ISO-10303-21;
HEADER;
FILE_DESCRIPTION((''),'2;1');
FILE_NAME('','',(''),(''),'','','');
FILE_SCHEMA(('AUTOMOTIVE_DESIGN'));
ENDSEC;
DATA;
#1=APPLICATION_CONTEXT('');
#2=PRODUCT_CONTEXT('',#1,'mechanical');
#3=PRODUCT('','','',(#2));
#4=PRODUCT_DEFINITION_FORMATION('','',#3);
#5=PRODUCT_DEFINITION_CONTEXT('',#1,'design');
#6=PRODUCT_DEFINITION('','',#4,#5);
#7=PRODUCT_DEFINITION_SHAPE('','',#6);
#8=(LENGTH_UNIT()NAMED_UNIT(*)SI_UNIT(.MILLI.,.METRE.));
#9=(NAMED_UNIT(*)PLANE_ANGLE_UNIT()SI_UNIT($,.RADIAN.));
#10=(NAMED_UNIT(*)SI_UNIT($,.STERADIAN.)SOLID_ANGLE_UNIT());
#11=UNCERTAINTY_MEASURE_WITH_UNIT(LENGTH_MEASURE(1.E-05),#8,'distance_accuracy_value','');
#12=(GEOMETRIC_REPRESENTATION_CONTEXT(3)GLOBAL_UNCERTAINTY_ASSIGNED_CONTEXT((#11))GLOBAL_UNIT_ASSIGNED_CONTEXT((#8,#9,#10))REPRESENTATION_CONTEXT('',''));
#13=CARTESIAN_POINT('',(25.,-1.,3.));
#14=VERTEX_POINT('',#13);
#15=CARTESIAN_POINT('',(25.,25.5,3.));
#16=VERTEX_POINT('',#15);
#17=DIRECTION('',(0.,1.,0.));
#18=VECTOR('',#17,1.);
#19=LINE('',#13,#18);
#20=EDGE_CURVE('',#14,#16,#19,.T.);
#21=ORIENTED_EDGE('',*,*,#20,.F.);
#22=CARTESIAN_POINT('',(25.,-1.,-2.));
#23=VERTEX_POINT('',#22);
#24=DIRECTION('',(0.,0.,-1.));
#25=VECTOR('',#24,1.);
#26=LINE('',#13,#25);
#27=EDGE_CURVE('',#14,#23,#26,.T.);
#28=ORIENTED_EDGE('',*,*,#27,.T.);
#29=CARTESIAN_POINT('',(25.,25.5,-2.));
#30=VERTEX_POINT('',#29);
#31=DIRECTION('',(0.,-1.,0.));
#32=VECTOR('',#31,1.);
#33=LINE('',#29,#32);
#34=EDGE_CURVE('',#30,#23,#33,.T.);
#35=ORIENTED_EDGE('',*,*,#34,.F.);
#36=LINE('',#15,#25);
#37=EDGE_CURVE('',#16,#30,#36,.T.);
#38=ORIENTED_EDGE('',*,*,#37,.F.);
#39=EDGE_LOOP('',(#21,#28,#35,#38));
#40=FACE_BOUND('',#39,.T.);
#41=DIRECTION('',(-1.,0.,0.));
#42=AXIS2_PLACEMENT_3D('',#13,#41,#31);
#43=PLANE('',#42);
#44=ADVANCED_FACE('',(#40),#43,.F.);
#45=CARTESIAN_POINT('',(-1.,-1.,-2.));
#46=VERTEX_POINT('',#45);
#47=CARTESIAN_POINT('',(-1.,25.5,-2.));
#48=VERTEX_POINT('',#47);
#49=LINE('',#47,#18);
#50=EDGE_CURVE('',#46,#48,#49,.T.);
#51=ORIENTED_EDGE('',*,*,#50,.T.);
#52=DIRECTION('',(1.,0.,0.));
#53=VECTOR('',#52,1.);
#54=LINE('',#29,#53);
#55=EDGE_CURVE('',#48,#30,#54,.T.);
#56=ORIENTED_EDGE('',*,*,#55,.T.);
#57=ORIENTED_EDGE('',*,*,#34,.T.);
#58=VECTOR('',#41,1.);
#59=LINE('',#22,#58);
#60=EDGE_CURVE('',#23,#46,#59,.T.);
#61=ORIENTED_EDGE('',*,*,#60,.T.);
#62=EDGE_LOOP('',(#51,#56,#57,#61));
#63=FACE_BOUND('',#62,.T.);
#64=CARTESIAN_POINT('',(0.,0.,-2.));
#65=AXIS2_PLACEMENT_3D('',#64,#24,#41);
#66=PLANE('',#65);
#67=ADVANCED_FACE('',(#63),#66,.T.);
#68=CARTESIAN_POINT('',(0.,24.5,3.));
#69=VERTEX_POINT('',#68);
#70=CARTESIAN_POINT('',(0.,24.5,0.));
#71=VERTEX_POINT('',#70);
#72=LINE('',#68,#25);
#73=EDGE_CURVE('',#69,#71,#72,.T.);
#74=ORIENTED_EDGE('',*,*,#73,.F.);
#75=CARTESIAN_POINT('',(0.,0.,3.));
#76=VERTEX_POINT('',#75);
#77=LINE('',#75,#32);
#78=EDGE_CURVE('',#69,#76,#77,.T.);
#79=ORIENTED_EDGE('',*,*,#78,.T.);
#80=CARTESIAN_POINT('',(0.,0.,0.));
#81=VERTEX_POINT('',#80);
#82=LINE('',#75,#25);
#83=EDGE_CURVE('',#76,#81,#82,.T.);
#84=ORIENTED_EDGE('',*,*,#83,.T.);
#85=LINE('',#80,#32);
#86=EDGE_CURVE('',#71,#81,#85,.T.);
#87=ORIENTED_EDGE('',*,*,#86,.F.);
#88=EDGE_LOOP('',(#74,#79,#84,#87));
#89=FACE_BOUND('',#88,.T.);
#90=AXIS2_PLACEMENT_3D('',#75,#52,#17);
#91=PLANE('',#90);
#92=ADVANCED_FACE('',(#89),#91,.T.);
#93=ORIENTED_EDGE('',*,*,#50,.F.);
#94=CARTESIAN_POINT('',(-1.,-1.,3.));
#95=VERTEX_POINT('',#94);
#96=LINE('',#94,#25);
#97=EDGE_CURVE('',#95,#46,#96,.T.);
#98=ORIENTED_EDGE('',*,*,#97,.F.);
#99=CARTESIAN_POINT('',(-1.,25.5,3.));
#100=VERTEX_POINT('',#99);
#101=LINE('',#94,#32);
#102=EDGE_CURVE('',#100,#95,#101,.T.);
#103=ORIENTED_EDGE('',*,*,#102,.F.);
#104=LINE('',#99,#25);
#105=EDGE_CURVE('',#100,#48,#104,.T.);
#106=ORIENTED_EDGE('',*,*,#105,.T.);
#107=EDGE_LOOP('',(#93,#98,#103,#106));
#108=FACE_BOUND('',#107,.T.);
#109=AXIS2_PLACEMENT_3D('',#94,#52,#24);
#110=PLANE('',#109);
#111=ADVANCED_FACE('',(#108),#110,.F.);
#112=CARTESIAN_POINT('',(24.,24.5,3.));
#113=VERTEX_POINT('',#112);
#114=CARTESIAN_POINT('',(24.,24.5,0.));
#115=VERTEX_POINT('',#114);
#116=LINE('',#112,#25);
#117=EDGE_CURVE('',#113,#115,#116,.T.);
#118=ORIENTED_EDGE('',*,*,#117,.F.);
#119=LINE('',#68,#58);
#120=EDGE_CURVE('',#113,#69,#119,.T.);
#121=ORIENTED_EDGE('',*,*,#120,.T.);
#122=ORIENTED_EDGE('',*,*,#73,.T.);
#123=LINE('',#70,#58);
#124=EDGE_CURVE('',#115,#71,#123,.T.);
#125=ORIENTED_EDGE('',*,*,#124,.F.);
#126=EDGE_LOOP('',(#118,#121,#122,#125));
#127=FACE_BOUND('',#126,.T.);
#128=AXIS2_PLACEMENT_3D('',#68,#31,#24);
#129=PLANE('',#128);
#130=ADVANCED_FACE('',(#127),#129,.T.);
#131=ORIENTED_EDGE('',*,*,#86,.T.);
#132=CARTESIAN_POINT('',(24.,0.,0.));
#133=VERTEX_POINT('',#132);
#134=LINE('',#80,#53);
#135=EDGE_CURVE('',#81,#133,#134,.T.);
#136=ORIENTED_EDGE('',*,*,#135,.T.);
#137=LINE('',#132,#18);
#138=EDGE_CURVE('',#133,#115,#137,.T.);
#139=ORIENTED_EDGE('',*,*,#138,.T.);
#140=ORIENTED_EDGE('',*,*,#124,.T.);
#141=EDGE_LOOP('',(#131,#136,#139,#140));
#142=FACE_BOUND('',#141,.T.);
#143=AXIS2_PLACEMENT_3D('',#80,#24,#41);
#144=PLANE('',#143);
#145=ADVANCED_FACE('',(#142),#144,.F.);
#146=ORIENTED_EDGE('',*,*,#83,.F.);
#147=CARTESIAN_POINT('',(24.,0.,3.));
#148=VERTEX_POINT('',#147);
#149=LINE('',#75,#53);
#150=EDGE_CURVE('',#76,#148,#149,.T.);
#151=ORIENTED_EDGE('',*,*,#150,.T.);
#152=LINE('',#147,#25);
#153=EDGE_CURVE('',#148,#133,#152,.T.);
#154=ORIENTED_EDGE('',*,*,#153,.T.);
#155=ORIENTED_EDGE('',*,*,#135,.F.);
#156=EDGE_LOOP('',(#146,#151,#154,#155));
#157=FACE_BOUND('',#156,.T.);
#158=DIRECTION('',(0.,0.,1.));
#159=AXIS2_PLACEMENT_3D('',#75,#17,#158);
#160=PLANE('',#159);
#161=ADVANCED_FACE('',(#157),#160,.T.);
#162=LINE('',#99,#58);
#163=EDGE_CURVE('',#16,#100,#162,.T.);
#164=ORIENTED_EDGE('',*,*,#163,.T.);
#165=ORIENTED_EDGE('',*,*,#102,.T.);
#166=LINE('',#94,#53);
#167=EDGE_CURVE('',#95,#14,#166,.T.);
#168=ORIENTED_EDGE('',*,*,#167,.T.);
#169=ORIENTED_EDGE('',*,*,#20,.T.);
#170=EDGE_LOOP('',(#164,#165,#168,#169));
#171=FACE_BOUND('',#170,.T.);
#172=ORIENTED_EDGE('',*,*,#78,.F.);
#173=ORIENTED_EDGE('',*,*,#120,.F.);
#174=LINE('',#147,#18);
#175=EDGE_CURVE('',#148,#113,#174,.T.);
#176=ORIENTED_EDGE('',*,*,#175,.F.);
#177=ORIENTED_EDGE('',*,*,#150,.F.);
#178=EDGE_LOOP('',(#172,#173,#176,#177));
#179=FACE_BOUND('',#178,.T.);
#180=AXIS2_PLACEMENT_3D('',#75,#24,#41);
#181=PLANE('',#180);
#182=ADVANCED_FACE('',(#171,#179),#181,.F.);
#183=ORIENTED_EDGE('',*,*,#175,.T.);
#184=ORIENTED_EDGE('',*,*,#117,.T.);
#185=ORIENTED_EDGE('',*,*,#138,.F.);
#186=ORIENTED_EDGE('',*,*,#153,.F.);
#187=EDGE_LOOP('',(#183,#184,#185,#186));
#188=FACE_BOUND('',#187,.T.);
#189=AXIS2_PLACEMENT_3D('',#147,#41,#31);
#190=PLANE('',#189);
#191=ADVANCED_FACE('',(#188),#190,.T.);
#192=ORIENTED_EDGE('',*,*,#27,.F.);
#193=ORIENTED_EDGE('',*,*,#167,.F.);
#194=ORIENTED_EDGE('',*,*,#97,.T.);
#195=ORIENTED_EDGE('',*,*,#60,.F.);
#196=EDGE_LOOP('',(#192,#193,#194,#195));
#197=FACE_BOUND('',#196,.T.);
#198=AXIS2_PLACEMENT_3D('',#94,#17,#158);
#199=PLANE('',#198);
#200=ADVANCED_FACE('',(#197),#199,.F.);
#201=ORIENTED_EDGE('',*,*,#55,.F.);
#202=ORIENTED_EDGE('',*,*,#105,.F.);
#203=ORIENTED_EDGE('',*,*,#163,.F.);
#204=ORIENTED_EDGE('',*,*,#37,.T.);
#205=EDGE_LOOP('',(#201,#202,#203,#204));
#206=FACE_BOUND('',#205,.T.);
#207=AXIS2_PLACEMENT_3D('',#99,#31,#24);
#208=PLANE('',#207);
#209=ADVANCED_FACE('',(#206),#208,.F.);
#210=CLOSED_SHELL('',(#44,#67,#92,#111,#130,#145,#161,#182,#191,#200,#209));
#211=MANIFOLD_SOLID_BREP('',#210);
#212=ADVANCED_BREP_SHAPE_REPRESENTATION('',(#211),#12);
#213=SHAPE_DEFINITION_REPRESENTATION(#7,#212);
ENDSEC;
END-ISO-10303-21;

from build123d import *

# Parameters (mm, degrees)
SKETCH_1_W      = 26
SKETCH_1_H      = 26.5
SKETCH_1_W_2    = 24
SKETCH_1_H_2    = 24.5
EXTRUDE_1_DEPTH = 3
SKETCH_2_W      = 26
SKETCH_2_H      = 26.5
EXTRUDE_2_DEPTH = 2


with BuildPart() as part:
    # 草图1 → 凸台-拉伸1 (new body)
    with BuildSketch(Plane.XY):
        with Locations((12, 12.25)):
            Rectangle(SKETCH_1_W, SKETCH_1_H)
        with Locations((12, 12.25)):
            Rectangle(SKETCH_1_W_2, SKETCH_1_H_2, mode=Mode.SUBTRACT)
    extrude(amount=EXTRUDE_1_DEPTH)

    # 草图2 → 凸台-拉伸2 (add)
    with BuildSketch(Plane(origin=(0, 0, 0), x_dir=(-1, 0, 0), z_dir=(0, 0, -1))):
        with Locations((-12, 12.25)):
            Rectangle(SKETCH_2_W, SKETCH_2_H)
    extrude(amount=EXTRUDE_2_DEPTH)


solid = part.part
